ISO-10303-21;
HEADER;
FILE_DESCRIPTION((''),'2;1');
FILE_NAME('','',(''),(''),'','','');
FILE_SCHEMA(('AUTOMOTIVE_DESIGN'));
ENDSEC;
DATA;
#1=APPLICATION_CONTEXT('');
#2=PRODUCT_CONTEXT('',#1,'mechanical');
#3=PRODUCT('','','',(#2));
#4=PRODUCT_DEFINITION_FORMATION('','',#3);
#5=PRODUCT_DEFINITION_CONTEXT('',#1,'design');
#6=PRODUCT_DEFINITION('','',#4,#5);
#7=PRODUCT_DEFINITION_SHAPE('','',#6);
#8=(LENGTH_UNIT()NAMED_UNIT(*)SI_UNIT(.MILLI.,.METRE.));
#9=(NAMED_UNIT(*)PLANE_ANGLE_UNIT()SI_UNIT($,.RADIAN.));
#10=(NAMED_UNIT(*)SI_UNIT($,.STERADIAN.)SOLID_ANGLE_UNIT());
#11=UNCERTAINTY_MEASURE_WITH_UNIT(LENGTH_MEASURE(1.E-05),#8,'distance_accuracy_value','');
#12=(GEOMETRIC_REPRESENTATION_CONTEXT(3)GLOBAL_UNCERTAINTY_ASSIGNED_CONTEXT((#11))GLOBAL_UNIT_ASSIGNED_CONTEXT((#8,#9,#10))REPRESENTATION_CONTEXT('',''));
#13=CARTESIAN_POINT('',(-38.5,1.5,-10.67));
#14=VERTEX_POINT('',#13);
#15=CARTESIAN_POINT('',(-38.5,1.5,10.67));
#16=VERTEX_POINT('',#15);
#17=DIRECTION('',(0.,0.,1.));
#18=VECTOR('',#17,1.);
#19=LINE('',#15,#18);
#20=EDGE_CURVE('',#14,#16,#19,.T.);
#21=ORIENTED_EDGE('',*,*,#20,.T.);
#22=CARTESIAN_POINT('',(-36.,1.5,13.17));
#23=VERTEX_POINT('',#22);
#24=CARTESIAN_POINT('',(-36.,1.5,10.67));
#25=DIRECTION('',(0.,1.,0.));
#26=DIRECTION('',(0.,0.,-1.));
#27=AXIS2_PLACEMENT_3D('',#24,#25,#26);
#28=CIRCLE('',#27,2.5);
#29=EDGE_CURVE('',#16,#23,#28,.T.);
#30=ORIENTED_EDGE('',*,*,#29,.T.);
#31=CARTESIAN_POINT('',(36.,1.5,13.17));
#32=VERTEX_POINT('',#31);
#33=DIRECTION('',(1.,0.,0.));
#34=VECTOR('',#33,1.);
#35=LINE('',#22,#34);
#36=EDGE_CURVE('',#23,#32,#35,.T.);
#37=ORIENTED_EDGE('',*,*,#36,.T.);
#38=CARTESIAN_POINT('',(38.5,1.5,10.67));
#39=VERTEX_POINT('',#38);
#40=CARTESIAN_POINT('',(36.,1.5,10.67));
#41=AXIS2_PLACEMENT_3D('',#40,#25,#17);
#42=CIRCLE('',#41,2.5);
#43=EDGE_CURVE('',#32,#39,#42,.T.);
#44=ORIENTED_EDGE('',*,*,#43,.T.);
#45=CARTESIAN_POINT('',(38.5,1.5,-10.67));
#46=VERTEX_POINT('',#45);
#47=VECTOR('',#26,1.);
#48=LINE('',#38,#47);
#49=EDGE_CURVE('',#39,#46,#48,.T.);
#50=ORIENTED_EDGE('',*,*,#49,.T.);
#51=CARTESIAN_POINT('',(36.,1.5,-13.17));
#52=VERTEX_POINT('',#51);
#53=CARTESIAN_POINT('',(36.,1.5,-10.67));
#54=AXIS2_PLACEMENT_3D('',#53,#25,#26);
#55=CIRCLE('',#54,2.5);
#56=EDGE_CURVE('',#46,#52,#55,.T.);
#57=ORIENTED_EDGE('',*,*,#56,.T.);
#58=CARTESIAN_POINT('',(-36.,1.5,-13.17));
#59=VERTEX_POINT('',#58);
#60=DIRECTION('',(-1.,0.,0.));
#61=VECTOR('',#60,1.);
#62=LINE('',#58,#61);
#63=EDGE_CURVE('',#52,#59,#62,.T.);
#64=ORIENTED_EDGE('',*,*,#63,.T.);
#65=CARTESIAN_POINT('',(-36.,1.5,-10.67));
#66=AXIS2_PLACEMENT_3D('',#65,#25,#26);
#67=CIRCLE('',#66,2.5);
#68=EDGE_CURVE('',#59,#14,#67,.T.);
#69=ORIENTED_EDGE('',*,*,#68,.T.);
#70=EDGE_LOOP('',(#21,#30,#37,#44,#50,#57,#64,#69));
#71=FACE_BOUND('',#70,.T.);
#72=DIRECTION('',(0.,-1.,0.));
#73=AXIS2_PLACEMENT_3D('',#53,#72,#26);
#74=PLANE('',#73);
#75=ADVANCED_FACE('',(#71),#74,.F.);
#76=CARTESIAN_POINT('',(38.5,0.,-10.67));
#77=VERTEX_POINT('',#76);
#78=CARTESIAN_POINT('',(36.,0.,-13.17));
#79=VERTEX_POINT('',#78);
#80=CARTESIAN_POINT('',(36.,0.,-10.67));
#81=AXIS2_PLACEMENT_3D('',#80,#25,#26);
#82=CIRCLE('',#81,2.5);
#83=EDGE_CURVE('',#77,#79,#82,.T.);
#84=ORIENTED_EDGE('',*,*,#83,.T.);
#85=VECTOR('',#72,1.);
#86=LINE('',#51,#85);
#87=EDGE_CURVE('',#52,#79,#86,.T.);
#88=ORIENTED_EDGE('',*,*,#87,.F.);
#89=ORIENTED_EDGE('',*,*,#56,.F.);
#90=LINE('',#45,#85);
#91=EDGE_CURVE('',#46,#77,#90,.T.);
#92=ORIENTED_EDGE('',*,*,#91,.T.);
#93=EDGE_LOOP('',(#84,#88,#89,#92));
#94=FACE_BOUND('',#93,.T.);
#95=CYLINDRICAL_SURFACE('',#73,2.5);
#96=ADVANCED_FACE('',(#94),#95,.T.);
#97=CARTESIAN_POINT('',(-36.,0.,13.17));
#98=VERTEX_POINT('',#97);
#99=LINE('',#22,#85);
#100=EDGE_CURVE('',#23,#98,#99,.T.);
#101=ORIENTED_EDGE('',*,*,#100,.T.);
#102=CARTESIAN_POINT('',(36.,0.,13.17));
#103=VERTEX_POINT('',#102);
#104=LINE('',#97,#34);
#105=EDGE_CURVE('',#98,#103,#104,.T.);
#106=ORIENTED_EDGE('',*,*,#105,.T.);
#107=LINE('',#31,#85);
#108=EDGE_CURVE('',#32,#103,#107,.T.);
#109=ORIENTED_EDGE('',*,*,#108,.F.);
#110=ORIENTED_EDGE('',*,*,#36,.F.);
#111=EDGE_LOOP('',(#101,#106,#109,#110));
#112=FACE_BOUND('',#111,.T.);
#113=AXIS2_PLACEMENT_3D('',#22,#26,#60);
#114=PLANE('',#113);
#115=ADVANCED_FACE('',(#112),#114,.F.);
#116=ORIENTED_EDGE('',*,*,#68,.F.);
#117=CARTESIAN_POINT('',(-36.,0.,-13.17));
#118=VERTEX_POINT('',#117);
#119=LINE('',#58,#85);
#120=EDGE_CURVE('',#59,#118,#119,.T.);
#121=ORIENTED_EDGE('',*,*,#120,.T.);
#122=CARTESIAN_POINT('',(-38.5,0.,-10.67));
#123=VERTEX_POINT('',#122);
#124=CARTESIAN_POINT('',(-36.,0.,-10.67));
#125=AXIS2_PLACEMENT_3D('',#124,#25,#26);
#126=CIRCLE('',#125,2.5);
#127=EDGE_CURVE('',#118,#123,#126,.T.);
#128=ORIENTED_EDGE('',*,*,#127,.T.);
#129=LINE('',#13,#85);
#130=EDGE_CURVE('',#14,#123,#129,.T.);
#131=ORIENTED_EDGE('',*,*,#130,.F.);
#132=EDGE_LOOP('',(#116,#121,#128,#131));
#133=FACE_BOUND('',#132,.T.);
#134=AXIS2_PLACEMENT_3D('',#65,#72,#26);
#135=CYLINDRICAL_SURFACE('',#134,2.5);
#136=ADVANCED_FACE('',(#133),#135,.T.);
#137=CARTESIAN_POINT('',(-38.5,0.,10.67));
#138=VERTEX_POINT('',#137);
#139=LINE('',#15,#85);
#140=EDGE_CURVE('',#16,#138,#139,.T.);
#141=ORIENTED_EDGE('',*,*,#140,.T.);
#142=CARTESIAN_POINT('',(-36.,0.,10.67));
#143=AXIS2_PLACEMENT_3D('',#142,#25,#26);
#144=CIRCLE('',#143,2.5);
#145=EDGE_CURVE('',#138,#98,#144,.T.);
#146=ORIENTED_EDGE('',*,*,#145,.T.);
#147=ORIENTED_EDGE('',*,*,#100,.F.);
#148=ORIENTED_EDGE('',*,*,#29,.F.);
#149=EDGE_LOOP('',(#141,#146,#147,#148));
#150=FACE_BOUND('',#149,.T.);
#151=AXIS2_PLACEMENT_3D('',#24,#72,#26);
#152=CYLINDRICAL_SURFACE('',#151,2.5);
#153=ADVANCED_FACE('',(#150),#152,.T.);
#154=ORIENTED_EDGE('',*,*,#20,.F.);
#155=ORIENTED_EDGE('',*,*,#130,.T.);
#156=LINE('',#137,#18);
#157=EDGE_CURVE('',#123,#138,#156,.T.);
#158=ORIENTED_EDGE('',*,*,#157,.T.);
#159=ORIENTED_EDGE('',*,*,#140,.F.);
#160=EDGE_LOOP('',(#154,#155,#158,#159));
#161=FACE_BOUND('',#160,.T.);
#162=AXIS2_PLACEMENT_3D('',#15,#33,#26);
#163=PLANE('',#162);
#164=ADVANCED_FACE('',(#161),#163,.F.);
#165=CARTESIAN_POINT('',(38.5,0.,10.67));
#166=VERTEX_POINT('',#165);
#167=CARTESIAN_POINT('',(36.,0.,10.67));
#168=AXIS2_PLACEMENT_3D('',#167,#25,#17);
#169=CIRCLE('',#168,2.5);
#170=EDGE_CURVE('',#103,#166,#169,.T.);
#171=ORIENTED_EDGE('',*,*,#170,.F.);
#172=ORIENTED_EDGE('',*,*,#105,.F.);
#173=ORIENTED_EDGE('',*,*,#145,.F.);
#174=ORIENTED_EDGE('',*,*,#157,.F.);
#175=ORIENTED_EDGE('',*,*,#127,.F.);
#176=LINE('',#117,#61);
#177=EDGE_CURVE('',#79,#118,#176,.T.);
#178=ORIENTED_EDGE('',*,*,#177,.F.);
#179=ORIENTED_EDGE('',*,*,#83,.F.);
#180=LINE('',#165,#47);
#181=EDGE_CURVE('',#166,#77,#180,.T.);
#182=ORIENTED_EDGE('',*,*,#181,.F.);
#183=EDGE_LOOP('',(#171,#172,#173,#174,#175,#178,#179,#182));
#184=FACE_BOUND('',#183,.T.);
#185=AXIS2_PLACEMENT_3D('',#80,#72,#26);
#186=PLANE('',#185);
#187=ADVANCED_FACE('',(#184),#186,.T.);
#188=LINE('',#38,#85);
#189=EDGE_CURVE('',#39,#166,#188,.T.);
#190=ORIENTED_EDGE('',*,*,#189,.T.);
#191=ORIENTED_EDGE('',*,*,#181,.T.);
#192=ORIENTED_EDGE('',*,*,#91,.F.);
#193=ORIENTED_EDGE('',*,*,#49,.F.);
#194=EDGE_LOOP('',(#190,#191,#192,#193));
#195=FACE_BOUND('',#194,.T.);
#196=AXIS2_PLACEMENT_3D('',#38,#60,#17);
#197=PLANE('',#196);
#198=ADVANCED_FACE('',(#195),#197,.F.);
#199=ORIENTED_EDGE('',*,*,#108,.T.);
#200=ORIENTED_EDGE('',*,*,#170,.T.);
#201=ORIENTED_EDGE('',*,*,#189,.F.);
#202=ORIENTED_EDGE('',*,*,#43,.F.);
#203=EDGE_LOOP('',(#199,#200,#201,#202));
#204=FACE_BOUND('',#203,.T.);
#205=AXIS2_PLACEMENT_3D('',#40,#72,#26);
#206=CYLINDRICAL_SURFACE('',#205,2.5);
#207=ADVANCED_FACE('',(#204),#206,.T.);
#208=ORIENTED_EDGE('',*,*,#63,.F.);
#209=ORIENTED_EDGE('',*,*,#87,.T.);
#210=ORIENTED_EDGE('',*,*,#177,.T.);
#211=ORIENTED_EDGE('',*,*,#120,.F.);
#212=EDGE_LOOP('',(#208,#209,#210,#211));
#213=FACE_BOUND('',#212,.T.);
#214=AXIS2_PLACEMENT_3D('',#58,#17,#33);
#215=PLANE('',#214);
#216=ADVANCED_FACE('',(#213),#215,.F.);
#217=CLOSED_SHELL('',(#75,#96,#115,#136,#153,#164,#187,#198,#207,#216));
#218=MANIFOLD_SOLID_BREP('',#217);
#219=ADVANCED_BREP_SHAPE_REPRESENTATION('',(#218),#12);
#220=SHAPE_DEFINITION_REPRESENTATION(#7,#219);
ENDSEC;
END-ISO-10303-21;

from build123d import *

# Parameters (mm, degrees)
EXTRUDE_1_DEPTH = 1.5


with BuildPart() as part:
    # 草图1 → 凸台-拉伸1 (new body)
    with BuildSketch(Plane(origin=(0, 0, 0), x_dir=(1, 0, 0), z_dir=(0, 1, 0))):
        with BuildLine():
            Line((-36, -13.17), (36, -13.17))
            ThreePointArc((36, -13.17), (37.767766953, -12.437766953), (38.5, -10.67))
            Line((38.5, -10.67), (38.5, 10.67))
            ThreePointArc((38.5, 10.67), (37.767766953, 12.437766953), (36, 13.17))
            Line((36, 13.17), (-36, 13.17))
            ThreePointArc((-36, 13.17), (-37.767766953, 12.437766953), (-38.5, 10.67))
            Line((-38.5, 10.67), (-38.5, -10.67))
            ThreePointArc((-38.5, -10.67), (-37.767766953, -12.437766953), (-36, -13.17))
        make_face()
    extrude(amount=EXTRUDE_1_DEPTH)


solid = part.part
